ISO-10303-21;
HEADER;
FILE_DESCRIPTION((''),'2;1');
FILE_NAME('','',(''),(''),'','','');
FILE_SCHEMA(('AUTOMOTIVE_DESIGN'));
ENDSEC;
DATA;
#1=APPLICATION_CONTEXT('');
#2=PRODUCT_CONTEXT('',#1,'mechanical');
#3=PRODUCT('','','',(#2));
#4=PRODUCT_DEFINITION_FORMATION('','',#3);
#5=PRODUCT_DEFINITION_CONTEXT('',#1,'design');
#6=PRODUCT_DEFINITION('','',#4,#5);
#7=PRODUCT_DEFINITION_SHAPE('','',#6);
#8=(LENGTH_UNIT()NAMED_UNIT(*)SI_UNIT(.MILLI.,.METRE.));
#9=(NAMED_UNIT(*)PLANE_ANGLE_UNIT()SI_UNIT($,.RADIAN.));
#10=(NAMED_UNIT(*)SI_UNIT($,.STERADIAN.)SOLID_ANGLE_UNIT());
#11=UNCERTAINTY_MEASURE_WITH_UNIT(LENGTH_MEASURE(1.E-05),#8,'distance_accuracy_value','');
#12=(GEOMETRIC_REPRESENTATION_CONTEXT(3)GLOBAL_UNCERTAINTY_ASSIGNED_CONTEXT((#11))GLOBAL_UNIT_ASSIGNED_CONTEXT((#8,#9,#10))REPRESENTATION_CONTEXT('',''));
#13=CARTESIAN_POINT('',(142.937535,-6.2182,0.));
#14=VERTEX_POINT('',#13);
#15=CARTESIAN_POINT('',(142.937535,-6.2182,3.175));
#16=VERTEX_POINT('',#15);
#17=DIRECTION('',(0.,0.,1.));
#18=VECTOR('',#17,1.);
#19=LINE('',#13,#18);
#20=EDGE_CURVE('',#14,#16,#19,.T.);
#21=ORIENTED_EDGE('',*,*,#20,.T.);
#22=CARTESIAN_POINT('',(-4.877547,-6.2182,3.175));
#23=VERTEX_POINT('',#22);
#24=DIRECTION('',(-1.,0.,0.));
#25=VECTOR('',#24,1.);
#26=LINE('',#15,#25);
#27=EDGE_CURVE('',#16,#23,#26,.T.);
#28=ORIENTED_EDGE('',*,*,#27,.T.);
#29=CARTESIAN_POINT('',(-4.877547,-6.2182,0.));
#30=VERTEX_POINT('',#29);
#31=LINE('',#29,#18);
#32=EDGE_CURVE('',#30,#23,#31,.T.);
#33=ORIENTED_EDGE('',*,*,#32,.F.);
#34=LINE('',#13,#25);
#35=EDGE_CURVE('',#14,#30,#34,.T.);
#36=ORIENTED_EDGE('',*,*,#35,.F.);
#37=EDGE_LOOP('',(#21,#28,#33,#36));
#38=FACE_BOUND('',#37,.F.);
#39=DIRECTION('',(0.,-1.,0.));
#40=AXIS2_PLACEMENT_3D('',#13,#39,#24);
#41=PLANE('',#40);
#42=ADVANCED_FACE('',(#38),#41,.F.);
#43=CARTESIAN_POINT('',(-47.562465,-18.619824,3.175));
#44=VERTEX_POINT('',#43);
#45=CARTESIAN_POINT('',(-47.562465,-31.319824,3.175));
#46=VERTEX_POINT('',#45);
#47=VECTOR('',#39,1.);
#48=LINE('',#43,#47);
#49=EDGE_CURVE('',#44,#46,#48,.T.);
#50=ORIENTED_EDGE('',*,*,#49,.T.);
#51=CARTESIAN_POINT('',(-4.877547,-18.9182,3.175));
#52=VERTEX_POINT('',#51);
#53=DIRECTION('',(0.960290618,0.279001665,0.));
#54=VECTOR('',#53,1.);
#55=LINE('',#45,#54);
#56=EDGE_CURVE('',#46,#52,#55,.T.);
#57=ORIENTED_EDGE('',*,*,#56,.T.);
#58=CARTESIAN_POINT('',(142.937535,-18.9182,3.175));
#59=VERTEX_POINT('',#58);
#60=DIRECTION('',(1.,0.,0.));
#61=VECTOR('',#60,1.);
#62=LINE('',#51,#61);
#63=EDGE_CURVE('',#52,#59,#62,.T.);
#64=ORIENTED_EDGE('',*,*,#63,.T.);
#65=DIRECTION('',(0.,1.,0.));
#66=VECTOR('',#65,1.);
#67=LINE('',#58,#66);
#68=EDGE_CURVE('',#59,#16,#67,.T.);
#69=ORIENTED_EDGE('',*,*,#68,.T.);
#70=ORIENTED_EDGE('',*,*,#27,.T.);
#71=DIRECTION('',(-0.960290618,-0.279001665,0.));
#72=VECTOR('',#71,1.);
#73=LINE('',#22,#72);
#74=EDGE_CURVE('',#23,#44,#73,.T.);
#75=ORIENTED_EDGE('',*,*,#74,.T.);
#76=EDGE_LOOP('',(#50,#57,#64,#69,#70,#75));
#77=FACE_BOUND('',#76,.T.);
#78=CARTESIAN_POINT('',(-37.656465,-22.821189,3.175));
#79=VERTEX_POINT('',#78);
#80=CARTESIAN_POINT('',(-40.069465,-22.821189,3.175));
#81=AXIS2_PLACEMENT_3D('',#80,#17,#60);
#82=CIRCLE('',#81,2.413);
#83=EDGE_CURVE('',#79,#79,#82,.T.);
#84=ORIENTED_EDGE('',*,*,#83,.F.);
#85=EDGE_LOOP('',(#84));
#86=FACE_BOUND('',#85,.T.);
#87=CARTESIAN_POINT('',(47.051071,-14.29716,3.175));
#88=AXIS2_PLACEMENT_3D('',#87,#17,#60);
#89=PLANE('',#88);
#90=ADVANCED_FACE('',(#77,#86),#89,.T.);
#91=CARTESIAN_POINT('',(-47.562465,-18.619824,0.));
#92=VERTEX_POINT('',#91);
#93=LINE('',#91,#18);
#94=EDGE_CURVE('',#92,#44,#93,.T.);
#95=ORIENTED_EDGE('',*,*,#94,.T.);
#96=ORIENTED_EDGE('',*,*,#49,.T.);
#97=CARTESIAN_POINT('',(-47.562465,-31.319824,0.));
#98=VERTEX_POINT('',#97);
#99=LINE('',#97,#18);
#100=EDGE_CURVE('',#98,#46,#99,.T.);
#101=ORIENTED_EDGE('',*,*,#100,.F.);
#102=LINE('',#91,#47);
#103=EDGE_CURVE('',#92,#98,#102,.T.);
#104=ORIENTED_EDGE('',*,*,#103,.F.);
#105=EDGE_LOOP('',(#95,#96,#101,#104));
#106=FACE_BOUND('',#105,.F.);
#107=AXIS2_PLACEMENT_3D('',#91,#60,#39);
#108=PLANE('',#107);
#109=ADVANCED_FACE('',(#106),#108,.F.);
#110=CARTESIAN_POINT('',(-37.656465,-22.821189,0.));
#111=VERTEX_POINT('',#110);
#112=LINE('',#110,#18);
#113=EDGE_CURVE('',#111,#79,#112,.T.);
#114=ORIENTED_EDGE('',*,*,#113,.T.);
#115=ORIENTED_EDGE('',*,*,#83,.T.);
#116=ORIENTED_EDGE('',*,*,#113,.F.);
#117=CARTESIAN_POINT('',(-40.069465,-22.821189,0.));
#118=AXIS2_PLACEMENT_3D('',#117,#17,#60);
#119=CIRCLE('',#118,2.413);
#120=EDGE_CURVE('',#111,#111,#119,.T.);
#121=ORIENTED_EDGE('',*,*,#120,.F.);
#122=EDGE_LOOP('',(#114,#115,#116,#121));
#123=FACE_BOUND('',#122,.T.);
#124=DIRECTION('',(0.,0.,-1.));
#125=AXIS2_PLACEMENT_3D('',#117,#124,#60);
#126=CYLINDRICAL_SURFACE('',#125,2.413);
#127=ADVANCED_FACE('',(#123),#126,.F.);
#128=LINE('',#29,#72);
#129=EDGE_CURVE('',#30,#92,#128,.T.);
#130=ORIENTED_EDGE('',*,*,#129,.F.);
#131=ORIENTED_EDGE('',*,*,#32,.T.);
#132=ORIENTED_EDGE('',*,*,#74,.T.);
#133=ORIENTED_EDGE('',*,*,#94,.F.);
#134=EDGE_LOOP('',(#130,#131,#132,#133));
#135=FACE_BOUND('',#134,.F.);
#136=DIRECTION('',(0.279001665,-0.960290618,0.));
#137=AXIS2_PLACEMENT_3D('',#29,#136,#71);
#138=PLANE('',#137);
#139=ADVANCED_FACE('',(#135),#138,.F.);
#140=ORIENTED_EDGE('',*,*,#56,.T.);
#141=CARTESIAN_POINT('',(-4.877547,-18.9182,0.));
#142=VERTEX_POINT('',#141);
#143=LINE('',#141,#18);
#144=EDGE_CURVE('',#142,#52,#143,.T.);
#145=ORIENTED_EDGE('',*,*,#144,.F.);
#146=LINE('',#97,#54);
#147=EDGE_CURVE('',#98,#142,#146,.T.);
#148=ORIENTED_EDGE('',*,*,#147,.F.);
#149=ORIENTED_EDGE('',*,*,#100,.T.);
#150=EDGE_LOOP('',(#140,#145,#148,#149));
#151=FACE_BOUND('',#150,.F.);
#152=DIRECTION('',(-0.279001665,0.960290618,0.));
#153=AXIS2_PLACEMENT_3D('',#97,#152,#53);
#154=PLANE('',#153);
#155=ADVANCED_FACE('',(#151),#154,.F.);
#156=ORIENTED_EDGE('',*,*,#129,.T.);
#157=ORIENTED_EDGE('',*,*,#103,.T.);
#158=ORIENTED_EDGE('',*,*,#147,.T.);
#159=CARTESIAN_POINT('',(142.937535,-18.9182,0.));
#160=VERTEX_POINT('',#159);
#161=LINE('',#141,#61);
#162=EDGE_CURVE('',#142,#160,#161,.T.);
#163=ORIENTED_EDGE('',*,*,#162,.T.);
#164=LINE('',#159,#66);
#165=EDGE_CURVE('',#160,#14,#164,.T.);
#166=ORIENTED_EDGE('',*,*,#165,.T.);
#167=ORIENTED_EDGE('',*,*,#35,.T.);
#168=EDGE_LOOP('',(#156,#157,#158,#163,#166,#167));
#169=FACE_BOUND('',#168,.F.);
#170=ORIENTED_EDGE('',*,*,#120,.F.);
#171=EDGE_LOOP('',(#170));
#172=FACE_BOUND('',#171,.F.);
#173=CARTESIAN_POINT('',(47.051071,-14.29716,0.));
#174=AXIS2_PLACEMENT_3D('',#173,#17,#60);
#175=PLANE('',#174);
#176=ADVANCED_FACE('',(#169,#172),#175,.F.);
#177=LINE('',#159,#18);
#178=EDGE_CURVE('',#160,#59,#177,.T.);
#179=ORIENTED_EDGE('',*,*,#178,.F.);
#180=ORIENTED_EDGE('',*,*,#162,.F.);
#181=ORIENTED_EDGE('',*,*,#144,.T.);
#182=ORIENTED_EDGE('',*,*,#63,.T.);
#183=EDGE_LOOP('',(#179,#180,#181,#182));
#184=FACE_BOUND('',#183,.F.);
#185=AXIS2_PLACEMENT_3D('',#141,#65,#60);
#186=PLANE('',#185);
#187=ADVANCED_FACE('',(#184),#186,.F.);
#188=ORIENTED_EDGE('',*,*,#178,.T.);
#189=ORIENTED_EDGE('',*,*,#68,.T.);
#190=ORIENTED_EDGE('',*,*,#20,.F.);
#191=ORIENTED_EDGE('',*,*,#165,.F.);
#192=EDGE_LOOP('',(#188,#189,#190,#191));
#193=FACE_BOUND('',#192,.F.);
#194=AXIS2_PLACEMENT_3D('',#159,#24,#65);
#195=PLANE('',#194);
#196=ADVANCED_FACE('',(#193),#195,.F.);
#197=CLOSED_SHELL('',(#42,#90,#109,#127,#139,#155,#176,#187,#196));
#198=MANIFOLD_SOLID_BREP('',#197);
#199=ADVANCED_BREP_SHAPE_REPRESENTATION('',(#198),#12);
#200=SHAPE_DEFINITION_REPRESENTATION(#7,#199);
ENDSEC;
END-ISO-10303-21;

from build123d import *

# Parameters (mm, degrees)
F0_R     = 2.413
F1_DEPTH = 3.175


with BuildPart() as f1:
    # F0 (on Top) → F1 (new body)
    with BuildSketch(Plane.XY):
        Polygon((-47.562465, -18.619824), (-47.562465, -31.319824), (-4.877547, -18.9182), (79.437535, -18.9182), (92.137535, -18.9182), (142.937535, -18.9182), (142.937535, -6.2182), (-4.877547, -6.2182), align=None)
        with Locations((-40.069465, -22.821189)):
            Circle(F0_R, mode=Mode.SUBTRACT)
    extrude(amount=F1_DEPTH)


solid = f1.part
